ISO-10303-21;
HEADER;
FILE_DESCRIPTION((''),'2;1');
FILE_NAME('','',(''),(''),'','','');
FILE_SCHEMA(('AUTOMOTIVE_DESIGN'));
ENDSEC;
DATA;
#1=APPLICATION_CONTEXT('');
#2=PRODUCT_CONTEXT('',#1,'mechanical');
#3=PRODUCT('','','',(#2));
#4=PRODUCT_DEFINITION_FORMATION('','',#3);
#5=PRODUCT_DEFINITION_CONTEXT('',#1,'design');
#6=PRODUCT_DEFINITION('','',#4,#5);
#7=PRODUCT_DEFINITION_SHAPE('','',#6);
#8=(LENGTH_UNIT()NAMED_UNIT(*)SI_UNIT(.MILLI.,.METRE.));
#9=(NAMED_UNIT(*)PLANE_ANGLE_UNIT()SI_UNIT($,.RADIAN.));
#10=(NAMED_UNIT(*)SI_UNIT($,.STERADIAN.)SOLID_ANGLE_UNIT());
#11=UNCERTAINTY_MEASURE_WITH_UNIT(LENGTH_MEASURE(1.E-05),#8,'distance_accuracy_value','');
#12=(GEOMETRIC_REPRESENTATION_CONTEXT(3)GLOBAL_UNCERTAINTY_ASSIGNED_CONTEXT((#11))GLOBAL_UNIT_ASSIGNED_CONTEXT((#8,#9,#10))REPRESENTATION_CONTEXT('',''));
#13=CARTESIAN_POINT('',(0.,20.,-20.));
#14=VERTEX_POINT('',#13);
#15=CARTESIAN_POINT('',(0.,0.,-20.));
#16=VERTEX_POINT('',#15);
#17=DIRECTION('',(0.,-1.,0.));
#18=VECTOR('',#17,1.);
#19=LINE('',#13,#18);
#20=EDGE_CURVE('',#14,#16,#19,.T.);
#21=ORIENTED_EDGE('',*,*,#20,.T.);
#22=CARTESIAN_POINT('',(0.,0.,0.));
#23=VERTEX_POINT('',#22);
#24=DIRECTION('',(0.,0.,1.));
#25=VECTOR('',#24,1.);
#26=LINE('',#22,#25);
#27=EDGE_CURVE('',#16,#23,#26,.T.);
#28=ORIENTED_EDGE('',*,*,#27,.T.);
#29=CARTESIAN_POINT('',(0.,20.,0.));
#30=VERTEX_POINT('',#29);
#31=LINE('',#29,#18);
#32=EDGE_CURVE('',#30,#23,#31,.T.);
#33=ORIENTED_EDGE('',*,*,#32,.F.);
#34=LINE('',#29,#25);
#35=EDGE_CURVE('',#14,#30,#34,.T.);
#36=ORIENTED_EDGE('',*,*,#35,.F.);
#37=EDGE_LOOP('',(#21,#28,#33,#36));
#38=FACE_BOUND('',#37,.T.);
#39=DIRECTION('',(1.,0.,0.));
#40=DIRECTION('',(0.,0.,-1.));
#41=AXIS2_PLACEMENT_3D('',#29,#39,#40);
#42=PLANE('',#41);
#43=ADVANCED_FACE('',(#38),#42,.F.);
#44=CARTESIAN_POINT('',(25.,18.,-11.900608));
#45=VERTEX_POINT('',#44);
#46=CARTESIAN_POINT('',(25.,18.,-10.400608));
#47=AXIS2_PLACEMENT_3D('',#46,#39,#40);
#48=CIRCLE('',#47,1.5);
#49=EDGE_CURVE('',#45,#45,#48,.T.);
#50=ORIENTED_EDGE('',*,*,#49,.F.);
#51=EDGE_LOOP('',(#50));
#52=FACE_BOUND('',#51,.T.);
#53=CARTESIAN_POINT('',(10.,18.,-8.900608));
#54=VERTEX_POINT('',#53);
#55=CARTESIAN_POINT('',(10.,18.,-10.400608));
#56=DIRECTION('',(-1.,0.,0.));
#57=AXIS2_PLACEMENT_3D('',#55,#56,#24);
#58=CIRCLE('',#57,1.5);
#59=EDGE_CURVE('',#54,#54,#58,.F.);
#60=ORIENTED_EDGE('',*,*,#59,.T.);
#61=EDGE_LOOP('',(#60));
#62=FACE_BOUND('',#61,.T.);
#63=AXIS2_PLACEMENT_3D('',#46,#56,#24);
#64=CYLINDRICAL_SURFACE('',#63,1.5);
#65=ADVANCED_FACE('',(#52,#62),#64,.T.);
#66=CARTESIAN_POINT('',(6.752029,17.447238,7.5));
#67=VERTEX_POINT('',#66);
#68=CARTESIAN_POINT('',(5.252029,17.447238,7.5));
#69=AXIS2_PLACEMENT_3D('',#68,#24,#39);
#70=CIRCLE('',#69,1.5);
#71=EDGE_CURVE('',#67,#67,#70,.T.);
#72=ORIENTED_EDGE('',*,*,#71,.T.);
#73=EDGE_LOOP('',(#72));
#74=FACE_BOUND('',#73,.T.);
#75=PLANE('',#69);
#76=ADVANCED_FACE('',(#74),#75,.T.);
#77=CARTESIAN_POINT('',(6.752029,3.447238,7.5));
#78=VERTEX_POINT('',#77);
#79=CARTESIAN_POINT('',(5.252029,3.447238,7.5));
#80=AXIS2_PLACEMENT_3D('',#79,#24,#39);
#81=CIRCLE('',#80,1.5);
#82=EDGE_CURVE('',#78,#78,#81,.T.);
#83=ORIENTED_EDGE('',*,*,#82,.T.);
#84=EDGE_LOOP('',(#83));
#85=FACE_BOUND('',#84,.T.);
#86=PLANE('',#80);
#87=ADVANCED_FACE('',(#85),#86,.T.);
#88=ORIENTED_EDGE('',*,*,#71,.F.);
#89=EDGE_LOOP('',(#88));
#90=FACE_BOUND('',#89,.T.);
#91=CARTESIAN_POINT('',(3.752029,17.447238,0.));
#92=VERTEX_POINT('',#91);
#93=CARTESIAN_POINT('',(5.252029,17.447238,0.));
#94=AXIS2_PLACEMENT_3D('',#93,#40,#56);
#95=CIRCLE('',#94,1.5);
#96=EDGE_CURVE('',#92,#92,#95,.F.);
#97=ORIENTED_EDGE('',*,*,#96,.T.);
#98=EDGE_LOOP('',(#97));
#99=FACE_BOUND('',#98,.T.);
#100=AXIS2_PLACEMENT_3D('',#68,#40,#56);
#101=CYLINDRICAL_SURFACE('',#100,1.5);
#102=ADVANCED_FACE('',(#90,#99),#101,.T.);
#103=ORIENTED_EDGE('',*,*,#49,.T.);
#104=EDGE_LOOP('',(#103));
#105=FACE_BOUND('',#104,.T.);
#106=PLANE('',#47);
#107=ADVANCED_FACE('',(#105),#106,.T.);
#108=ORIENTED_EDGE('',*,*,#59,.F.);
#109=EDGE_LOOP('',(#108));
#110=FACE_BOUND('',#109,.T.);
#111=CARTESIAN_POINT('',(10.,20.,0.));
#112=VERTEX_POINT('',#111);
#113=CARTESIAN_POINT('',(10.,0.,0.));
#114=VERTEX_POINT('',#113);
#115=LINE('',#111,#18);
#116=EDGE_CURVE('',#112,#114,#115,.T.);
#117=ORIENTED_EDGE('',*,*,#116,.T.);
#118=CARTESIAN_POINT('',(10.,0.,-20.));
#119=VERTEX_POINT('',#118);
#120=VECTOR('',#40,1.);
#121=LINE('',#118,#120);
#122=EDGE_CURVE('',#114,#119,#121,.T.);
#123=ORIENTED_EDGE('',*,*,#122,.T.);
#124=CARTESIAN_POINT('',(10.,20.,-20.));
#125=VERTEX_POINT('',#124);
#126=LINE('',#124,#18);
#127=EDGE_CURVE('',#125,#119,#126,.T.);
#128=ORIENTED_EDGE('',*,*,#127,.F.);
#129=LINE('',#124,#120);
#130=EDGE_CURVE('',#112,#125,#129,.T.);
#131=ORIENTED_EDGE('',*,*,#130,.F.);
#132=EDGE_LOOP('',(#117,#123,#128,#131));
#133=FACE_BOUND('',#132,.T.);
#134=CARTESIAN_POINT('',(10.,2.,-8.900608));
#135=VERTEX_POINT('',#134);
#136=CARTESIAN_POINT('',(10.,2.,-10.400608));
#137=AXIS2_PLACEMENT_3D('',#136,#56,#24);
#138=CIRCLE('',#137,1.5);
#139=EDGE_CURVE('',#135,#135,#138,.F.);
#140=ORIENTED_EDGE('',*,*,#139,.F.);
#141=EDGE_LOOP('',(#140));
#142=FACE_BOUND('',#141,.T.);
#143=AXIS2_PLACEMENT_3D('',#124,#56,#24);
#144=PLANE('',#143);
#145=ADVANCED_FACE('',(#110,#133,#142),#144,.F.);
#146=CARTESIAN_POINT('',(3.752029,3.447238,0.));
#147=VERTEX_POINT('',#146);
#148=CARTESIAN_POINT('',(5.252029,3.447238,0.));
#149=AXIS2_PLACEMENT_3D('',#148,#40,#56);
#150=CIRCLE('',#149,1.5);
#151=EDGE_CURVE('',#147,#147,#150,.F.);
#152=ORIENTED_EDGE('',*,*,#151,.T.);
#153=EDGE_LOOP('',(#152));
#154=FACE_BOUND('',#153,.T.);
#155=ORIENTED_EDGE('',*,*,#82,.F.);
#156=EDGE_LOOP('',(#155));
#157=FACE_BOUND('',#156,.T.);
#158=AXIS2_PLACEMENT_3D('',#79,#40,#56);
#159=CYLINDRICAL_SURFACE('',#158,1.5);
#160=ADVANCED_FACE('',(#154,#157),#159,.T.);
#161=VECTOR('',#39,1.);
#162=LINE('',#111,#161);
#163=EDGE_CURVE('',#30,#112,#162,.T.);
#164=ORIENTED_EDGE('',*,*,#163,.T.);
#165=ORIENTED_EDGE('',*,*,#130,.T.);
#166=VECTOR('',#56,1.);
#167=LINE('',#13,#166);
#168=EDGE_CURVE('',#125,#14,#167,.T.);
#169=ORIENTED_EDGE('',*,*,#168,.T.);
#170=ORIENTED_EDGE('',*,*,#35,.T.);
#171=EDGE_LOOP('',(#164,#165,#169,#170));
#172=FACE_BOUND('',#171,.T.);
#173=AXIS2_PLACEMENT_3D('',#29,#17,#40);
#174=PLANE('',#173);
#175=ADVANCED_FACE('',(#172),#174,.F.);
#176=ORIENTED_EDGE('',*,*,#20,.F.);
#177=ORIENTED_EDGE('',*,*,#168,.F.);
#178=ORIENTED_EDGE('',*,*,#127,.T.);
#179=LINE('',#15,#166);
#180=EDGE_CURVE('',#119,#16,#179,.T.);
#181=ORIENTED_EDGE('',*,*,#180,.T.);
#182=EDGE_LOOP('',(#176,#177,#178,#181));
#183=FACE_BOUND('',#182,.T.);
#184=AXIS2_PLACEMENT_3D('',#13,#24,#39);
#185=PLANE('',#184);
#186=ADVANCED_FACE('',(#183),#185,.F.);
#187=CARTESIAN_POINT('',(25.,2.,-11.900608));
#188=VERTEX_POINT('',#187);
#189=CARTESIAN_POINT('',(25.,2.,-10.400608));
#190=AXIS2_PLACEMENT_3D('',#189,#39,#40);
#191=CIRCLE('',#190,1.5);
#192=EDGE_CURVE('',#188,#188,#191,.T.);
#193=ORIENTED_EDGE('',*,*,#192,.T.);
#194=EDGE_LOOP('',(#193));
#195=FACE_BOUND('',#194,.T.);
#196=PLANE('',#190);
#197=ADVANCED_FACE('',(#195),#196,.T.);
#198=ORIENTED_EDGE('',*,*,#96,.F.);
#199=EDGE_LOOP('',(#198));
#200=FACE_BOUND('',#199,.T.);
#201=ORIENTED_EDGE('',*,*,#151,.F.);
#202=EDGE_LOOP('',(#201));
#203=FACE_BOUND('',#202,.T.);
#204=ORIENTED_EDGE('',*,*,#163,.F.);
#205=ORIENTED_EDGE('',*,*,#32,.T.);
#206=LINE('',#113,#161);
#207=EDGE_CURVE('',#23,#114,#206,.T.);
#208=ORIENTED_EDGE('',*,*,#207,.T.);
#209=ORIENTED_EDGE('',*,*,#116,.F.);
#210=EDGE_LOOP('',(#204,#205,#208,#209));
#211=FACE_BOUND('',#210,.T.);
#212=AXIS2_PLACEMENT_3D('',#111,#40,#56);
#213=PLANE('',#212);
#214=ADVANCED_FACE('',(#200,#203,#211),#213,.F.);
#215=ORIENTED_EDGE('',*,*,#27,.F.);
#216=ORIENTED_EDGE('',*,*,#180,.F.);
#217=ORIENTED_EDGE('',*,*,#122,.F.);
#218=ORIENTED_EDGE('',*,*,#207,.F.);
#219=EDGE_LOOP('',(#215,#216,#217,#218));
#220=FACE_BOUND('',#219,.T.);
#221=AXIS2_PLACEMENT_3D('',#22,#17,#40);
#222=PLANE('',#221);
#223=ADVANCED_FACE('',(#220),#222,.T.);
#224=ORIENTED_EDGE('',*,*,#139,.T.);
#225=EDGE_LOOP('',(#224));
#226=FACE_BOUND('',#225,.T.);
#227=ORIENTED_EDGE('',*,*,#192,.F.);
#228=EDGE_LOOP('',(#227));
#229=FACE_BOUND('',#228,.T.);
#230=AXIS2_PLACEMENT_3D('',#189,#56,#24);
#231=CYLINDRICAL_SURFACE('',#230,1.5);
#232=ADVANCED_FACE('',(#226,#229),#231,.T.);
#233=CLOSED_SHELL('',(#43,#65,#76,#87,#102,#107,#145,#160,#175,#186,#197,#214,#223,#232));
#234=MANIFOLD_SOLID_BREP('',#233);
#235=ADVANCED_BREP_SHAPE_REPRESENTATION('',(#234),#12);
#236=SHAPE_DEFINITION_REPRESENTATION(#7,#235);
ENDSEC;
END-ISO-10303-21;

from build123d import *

# Parameters (mm, degrees)
SKETCH2_W           = 10
SKETCH2_H           = 20
BOSS_EXTRUDE1_DEPTH = 20
SKETCH3_R           = 1.5
BOSS_EXTRUDE2_DEPTH = 7.5
SKETCH6_R           = 1.5
BOSS_EXTRUDE4_DEPTH = 15
SKETCH8_R           = 1.5
BOSS_EXTRUDE5_DEPTH = 15


with BuildPart() as part:
    # Sketch2 → Boss-Extrude1 (new body)
    with BuildSketch(Plane(origin=(0, 0, 0), x_dir=(1, 0, 0), z_dir=(0, 1, 0))):
        with Locations((5, 10)):
            Rectangle(SKETCH2_W, SKETCH2_H)
    extrude(amount=BOSS_EXTRUDE1_DEPTH)

    # Sketch3 → Boss-Extrude2 (add)
    with BuildSketch(Plane.XY):
        with Locations(Location((5.252029318, 3.447237738, 0), (0, 0, 180))):
            Circle(SKETCH3_R)
        with Locations(Location((5.252029318, 17.447237738, 0), (0, 0, 180))):
            Circle(SKETCH3_R)
    extrude(amount=BOSS_EXTRUDE2_DEPTH)

    # Sketch6 → Boss-Extrude4 (add)
    with BuildSketch(Plane(origin=(10, 0, 0), x_dir=(0, 0, -1), z_dir=(1, 0, 0))):
        with Locations(Location((10.400607827, 2, 0), (0, 0, 180))):
            Circle(SKETCH6_R)
    extrude(amount=BOSS_EXTRUDE4_DEPTH)

    # Sketch8 → Boss-Extrude5 (add)
    with BuildSketch(Plane(origin=(10, 0, 0), x_dir=(0, 0, -1), z_dir=(1, 0, 0))):
        with Locations(Location((10.400607827, 18, 0), (0, 0, 180))):
            Circle(SKETCH8_R)
    extrude(amount=BOSS_EXTRUDE5_DEPTH)


solid = part.part
